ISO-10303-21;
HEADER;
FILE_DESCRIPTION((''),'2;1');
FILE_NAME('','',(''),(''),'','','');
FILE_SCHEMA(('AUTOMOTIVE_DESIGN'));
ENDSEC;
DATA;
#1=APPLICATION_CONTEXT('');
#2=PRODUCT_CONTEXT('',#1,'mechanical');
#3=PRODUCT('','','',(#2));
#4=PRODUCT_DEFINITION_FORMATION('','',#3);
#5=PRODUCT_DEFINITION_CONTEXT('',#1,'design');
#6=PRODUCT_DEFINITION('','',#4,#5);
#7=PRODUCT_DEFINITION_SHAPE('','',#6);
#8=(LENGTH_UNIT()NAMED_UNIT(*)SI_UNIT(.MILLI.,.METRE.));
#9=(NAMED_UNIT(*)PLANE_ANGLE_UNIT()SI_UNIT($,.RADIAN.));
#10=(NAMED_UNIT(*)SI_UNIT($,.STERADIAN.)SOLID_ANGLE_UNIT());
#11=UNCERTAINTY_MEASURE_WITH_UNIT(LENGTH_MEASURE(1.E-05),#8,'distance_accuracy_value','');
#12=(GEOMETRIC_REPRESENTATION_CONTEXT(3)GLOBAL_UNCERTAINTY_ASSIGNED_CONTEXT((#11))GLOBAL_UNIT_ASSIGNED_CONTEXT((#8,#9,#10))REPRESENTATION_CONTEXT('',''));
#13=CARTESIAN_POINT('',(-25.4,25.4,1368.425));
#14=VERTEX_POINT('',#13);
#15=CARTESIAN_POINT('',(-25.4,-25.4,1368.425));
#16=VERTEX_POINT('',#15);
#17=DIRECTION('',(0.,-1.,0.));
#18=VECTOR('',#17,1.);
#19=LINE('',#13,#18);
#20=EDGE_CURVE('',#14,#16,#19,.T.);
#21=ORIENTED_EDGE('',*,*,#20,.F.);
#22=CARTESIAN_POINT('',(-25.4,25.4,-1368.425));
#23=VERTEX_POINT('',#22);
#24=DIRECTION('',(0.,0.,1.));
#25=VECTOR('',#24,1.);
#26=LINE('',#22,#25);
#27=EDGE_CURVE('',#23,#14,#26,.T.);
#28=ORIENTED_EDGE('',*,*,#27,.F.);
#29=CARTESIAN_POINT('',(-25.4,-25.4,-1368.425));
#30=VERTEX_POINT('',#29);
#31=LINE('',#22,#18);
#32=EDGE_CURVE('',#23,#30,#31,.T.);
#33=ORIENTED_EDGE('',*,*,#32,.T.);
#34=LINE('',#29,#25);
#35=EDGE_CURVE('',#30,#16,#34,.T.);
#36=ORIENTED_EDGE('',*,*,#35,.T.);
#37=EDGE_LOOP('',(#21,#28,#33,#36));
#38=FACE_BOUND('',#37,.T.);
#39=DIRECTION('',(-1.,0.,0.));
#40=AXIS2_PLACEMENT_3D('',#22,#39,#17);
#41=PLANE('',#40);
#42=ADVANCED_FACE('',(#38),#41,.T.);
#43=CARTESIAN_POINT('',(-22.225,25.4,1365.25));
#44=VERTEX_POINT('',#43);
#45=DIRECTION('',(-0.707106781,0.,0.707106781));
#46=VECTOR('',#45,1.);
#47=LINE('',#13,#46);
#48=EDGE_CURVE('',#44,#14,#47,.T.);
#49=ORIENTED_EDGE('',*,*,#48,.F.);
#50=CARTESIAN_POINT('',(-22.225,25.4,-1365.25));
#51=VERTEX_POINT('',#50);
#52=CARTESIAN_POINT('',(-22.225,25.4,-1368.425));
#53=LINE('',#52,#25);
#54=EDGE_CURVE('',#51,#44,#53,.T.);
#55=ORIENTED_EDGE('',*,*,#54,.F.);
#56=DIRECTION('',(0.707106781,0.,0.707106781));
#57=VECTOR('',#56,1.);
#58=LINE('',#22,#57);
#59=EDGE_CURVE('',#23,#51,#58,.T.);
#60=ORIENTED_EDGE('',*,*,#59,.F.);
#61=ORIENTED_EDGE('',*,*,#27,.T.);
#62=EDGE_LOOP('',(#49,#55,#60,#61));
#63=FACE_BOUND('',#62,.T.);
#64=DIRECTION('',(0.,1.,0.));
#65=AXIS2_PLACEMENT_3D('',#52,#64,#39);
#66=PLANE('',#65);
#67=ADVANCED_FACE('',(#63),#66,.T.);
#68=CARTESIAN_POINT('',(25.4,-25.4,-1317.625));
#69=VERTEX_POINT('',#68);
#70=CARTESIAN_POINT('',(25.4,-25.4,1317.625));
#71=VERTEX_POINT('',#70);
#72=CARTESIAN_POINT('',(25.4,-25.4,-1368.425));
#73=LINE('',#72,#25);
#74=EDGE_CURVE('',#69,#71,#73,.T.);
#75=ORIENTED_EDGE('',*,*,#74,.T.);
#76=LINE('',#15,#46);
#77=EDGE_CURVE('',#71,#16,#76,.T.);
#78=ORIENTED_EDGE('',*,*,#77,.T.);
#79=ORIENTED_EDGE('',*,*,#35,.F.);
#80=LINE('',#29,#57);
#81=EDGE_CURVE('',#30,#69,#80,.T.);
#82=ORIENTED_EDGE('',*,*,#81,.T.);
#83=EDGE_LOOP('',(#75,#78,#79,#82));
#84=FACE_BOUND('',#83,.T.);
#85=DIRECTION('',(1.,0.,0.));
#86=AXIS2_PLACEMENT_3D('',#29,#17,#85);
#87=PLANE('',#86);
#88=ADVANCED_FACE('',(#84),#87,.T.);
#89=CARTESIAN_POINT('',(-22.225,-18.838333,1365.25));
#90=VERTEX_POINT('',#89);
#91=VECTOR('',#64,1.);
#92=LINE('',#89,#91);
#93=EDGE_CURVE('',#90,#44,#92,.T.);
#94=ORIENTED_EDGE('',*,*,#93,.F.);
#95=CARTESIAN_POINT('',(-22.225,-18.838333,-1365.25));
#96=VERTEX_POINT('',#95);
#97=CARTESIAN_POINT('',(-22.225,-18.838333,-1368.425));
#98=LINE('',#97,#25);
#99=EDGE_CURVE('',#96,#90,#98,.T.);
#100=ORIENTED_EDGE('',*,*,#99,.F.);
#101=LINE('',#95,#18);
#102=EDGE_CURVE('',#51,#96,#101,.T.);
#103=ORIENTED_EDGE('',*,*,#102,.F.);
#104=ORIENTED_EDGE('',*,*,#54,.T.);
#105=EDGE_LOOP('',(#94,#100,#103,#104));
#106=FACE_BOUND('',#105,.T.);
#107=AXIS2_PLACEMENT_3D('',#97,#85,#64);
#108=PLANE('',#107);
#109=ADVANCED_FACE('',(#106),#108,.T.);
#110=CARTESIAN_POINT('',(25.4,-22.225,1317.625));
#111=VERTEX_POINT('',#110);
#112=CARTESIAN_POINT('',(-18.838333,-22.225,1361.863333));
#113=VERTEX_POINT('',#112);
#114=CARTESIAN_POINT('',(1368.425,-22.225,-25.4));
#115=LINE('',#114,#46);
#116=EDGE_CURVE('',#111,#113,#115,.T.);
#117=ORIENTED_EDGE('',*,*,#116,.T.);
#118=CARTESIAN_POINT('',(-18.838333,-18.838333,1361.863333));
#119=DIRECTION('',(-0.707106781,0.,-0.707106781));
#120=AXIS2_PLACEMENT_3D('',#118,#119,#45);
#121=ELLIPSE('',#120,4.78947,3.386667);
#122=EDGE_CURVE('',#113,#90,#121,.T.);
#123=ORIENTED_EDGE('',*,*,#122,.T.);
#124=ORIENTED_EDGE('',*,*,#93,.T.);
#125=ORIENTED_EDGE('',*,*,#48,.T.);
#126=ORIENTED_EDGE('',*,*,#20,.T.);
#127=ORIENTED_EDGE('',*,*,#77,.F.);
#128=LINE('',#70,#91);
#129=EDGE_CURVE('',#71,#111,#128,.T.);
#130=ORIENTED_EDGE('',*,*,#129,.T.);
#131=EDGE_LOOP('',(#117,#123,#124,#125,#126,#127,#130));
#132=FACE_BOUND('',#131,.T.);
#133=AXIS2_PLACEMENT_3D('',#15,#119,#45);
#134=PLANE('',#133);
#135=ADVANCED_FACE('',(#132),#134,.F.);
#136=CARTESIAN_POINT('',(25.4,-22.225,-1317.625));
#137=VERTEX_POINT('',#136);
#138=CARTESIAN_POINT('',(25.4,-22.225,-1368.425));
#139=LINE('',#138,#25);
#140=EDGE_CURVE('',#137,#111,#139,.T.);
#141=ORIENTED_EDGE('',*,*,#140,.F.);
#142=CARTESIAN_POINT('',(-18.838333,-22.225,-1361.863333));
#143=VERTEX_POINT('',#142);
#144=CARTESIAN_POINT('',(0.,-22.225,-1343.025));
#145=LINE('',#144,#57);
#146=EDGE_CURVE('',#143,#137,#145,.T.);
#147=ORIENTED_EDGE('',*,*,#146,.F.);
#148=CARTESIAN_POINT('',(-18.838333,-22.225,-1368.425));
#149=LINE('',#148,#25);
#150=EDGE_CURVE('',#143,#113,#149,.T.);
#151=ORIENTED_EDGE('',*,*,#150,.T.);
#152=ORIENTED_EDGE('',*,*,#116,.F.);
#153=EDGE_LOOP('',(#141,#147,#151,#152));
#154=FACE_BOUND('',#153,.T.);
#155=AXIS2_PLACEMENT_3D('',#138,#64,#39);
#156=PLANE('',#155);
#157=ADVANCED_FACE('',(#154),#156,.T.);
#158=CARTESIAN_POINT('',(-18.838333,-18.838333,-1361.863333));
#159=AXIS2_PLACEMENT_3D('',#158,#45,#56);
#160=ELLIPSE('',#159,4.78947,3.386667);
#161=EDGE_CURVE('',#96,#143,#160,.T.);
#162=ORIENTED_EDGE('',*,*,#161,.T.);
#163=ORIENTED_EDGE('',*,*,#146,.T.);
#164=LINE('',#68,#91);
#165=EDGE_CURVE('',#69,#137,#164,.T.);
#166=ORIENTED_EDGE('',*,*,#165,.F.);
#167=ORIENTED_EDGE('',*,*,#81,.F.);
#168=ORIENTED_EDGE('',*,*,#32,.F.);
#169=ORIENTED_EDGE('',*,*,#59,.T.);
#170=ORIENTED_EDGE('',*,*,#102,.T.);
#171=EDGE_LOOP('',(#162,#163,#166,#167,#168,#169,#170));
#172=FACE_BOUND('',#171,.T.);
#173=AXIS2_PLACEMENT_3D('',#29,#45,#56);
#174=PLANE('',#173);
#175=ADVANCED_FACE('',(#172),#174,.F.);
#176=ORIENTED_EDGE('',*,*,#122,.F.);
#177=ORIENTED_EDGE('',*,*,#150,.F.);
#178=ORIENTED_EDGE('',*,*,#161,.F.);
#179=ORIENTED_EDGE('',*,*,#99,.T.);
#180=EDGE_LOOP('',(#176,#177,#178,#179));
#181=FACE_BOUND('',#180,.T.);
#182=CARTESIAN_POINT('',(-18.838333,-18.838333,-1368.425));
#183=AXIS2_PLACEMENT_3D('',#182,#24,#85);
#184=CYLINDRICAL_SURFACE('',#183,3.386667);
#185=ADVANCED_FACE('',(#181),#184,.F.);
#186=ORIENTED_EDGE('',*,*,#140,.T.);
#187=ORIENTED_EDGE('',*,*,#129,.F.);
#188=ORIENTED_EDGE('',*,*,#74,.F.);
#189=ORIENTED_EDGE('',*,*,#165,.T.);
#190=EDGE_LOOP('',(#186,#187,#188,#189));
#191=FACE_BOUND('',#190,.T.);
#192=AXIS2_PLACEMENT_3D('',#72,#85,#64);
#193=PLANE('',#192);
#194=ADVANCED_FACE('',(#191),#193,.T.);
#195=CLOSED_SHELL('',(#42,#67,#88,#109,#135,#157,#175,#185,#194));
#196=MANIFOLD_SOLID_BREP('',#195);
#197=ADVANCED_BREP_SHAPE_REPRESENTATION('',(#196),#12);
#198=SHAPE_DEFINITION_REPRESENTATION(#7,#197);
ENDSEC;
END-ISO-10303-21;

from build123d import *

# Parameters (mm, degrees)
BOSS_EXTRUDE1_DEPTH      = 1368.425
BOSS_EXTRUDE1_DEPTH_BACK = 1368.425
CUT_EXTRUDE1_DEPTH       = 48.625
CUT_EXTRUDE1_DEPTH_BACK  = 4.175


with BuildPart() as part:
    # Sketch4 → Boss-Extrude1 (new body, two sides)
    with BuildSketch(Plane.XY) as boss_extrude1_sk:
        with BuildLine():
            Line((-22.225, -18.838333333), (-22.225, 25.4))
            Line((-22.225, 25.4), (-25.4, 25.4))
            Line((-25.4, 25.4), (-25.4, -25.4))
            Line((-25.4, -25.4), (25.4, -25.4))
            Line((25.4, -25.4), (25.4, -22.225))
            Line((25.4, -22.225), (-18.838333333, -22.225))
            ThreePointArc((-18.838333333, -22.225), (-21.233068299, -21.233068299), (-22.225, -18.838333333))
        make_face()
    extrude(amount=BOSS_EXTRUDE1_DEPTH)
    extrude(boss_extrude1_sk.sketch, amount=-BOSS_EXTRUDE1_DEPTH_BACK)

    # Sketch5 → Cut-Extrude1 (cut, two sides)
    with BuildSketch(Plane(origin=(0, -22.225, 0), x_dir=(1, 0, 0), z_dir=(0, 1, 0))) as cut_extrude1_sk:
        Polygon((-25.4, 1368.425), (25.4, 1317.625), (25.4, 1368.425), align=None)
        Polygon((25.4, -1368.425), (-25.4, -1368.425), (25.4, -1317.625), align=None)
    extrude(amount=CUT_EXTRUDE1_DEPTH, mode=Mode.SUBTRACT)
    extrude(cut_extrude1_sk.sketch, amount=-CUT_EXTRUDE1_DEPTH_BACK, mode=Mode.SUBTRACT)


solid = part.part
